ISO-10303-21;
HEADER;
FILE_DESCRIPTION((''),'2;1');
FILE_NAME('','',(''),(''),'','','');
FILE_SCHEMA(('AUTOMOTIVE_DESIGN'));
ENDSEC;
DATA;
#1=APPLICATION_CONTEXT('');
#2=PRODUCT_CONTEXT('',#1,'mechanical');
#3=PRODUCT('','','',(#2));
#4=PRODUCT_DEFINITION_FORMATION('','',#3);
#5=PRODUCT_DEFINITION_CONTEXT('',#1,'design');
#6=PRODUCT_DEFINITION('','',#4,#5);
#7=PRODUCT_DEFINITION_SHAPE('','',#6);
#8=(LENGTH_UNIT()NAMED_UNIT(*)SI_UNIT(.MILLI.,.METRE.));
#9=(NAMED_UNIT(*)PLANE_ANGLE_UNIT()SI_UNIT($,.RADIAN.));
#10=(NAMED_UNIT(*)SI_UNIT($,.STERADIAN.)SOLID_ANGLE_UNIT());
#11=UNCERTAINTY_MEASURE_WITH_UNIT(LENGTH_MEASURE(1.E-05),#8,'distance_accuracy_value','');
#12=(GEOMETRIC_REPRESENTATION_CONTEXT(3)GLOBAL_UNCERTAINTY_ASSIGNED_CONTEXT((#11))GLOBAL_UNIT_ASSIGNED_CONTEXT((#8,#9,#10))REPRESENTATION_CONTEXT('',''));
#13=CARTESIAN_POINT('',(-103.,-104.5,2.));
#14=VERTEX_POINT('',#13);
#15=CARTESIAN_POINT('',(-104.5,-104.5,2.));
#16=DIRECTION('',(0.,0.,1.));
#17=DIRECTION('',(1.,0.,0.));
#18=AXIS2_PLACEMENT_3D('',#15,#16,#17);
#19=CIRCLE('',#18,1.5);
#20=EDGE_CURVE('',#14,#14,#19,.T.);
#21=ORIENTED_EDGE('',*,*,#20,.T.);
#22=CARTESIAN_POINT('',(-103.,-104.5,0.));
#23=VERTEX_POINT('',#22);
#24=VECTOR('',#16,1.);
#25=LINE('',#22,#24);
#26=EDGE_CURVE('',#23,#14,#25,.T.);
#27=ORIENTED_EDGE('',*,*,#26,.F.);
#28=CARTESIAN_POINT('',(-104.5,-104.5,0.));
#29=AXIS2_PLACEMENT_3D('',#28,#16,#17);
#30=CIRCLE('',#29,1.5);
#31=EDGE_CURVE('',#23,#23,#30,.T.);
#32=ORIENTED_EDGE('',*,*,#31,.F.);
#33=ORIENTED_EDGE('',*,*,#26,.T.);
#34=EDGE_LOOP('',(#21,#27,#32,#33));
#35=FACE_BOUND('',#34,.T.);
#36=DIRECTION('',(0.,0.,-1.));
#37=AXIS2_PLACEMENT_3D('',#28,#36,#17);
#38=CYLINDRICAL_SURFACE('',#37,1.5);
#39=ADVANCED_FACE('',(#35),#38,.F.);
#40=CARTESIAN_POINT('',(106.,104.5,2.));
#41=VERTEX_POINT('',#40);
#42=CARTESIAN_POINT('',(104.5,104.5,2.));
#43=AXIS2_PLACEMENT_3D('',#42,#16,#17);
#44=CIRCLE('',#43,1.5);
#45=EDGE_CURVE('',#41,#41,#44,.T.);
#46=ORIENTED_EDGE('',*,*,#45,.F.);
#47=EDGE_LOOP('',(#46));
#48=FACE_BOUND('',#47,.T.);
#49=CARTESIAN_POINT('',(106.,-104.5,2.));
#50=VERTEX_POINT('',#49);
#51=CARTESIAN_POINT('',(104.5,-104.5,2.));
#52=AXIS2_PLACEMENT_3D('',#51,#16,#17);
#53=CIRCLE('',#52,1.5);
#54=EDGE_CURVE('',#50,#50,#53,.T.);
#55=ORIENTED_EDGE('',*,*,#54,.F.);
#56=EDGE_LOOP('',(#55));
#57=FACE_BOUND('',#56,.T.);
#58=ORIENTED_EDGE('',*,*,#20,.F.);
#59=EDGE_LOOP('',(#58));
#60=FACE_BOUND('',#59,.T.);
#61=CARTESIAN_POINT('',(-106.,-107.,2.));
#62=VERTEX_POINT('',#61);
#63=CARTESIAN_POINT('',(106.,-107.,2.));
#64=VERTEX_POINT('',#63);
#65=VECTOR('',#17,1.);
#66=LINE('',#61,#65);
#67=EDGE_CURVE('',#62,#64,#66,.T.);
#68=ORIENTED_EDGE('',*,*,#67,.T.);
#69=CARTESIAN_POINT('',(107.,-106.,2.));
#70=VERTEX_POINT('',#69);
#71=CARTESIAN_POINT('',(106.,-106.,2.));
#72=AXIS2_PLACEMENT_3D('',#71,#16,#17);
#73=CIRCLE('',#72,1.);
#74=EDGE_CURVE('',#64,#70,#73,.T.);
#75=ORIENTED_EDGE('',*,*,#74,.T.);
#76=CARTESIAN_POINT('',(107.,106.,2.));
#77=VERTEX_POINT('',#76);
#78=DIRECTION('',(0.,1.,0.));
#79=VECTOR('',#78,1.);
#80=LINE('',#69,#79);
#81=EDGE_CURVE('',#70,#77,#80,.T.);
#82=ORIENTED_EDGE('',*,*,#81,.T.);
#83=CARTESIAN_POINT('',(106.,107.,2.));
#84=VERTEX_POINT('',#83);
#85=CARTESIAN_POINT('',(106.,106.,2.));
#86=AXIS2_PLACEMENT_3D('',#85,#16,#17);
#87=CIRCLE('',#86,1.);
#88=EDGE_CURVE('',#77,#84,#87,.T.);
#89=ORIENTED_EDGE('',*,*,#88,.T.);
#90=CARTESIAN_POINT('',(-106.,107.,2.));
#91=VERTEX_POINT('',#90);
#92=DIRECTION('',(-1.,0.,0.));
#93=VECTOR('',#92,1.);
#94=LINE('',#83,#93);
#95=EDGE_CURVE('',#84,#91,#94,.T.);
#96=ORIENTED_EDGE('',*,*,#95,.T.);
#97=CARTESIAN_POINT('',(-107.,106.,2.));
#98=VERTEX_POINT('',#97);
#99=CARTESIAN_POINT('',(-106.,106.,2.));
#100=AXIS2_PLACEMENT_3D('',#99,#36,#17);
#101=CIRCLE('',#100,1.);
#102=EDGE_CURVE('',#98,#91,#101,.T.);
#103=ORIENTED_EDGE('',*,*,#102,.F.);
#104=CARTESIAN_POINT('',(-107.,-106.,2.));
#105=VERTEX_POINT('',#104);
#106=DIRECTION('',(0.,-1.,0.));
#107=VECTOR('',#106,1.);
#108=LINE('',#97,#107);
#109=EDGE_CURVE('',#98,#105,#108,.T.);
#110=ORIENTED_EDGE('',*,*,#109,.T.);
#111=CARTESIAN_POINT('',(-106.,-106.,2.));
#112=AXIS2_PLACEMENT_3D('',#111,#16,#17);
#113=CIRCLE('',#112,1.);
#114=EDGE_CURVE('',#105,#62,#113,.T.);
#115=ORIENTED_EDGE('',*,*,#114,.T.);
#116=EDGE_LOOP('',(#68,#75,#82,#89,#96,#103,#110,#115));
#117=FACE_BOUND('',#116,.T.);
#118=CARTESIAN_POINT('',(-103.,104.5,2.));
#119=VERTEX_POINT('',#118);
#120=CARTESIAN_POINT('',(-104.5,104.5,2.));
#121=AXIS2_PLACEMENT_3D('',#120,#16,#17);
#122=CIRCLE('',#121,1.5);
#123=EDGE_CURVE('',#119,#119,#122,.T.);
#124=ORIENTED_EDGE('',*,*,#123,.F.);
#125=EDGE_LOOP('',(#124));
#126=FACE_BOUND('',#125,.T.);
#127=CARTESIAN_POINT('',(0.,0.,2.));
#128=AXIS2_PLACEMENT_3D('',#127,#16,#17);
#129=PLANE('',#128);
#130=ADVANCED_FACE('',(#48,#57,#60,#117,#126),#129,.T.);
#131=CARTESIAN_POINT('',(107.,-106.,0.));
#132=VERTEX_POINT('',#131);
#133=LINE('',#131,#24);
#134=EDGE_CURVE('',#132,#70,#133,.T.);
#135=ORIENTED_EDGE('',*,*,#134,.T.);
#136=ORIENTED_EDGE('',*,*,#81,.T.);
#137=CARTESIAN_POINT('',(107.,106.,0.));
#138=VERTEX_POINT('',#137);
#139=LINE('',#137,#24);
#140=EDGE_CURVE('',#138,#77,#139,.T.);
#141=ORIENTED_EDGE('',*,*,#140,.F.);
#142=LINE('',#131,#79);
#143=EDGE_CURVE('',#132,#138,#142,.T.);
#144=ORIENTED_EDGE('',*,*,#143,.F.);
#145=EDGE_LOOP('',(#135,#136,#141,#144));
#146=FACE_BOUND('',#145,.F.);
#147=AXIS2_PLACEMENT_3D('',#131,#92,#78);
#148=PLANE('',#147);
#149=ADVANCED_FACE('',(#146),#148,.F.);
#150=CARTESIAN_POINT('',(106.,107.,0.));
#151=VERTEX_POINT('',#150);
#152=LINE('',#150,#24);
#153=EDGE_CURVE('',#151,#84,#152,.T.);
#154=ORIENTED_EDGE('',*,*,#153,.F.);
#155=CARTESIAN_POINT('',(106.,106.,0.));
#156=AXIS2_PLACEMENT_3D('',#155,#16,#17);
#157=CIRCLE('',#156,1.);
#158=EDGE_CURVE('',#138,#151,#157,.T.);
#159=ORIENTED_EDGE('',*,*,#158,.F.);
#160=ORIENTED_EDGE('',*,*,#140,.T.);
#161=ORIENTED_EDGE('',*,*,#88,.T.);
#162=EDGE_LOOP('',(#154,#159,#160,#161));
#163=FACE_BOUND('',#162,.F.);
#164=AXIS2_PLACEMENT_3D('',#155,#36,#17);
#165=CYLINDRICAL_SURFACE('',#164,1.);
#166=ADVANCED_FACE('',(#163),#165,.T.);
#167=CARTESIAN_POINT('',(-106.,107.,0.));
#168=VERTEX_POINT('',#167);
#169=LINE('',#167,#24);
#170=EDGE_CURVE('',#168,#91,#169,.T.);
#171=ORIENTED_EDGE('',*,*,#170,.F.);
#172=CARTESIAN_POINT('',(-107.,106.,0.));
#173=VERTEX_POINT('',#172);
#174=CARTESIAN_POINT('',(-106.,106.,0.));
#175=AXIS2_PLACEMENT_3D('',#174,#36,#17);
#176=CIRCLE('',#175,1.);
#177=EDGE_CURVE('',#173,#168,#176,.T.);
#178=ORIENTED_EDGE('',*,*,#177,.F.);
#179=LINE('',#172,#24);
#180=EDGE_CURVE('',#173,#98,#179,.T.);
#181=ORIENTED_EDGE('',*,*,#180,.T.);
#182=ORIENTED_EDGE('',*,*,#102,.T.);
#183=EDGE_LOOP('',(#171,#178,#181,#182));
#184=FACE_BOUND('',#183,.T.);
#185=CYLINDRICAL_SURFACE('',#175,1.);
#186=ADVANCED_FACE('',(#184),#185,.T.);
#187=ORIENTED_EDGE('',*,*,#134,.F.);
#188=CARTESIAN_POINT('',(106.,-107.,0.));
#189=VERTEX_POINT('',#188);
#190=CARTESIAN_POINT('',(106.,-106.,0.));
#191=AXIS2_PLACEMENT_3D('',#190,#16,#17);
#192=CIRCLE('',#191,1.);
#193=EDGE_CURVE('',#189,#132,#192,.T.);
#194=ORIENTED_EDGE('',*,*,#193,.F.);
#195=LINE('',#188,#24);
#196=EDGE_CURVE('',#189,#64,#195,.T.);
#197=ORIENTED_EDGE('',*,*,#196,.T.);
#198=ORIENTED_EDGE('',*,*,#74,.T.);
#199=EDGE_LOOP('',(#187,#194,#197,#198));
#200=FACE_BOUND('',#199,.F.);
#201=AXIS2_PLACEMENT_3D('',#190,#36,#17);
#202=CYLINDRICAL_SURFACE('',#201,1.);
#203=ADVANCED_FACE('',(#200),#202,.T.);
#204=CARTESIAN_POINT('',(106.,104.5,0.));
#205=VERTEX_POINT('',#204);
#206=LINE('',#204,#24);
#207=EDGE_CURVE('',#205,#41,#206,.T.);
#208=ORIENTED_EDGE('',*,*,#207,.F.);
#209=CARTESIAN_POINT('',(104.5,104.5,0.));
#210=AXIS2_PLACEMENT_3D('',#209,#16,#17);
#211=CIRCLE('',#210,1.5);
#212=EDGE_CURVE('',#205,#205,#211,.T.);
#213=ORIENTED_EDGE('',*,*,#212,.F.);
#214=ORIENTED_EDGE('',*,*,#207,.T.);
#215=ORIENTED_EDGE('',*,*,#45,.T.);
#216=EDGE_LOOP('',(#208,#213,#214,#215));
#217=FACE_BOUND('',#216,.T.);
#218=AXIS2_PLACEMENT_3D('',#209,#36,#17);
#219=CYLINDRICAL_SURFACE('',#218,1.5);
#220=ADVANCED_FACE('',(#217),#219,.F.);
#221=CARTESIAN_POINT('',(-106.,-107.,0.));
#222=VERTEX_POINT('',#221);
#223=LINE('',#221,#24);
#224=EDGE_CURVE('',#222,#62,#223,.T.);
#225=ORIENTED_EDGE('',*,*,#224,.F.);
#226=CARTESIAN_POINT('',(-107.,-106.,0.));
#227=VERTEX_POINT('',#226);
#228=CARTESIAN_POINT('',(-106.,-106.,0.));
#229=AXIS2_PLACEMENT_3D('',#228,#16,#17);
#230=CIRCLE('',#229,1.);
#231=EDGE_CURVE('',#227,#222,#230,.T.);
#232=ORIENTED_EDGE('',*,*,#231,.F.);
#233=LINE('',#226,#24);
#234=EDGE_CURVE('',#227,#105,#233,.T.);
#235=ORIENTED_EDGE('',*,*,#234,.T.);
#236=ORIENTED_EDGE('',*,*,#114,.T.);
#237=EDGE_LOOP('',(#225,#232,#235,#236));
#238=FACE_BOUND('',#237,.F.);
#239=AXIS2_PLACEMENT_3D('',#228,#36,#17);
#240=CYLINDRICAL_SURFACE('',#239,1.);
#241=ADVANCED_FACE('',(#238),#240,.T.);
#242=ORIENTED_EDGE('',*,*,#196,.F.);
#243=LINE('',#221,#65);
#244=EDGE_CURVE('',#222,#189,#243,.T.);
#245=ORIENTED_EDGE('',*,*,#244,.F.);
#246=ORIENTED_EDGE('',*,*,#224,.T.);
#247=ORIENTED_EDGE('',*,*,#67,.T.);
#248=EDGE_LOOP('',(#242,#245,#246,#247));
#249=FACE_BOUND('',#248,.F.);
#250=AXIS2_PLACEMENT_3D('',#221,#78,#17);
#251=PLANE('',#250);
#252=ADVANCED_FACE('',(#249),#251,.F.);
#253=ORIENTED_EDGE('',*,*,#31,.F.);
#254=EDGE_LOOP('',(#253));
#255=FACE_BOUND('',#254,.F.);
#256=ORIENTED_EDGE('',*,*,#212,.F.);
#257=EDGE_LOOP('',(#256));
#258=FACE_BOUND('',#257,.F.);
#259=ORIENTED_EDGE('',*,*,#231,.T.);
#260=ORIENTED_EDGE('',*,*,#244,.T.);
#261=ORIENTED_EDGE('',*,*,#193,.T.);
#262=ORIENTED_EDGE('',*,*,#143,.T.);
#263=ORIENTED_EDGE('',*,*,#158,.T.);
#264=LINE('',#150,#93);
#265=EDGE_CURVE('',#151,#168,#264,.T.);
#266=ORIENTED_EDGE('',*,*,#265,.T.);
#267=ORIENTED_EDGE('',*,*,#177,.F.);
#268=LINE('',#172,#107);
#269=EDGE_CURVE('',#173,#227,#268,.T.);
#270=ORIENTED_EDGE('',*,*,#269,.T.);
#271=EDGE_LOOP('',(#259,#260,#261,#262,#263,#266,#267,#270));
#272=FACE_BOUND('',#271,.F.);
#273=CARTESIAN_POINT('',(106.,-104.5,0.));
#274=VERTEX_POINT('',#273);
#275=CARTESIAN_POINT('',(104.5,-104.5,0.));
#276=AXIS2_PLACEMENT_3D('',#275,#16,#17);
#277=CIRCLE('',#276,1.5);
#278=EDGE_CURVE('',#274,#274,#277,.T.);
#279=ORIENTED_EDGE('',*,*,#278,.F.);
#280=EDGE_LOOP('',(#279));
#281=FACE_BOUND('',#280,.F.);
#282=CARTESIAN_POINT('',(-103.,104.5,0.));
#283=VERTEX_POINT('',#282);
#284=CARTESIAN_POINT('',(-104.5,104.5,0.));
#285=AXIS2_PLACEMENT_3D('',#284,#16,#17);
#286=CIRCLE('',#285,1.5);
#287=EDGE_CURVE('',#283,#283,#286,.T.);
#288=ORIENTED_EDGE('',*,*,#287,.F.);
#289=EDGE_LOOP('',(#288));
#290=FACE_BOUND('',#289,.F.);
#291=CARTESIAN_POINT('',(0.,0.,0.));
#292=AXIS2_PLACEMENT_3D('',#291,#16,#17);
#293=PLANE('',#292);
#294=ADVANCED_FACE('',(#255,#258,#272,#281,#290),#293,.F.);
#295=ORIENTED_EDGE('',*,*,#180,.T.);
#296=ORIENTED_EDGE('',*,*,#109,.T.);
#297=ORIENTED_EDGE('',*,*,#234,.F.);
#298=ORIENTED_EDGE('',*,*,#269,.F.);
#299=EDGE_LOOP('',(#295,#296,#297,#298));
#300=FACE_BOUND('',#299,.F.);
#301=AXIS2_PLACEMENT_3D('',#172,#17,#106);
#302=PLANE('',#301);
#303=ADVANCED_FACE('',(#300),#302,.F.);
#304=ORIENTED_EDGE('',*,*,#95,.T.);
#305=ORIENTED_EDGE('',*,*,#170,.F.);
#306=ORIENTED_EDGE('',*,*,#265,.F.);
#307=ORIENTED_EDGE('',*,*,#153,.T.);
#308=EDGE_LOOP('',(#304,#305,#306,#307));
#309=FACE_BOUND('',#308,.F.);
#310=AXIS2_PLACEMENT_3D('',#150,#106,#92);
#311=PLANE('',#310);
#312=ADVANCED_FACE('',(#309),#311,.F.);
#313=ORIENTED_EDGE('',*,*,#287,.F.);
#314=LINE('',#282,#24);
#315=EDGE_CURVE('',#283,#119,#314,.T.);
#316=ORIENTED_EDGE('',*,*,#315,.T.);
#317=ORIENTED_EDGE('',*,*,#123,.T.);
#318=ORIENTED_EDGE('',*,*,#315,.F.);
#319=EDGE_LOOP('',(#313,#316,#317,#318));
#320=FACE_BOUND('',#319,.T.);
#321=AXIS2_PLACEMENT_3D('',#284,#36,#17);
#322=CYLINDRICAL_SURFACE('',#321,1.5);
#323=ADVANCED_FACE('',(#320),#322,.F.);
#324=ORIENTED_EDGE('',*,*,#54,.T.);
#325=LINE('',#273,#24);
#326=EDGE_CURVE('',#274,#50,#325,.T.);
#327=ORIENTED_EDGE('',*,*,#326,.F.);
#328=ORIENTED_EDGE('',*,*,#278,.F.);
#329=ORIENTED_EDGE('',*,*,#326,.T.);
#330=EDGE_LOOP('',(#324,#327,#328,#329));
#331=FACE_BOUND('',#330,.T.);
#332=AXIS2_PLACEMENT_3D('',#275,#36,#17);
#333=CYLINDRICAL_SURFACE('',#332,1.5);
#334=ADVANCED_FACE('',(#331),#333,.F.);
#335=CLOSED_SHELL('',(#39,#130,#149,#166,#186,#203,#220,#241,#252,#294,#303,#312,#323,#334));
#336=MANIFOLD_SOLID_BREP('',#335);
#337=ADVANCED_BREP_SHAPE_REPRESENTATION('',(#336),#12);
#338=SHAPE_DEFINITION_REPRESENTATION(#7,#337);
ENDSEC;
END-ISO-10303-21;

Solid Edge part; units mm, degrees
sketch "Sketch1" plane through (0, 0, 0) normal (0, 0, 1) x (1, 0, 0)
  line L0 (-106, -107) -> (106, -107)
  arc A0 (106, -107) -> (107, -106) centre (106, -106) ccw
  line L1 (107, -106) -> (107, 106)
  arc A1 (107, 106) -> (106, 107) centre (106, 106) ccw
  line L2 (106, 107) -> (-106, 107)
  arc A2 (-107, 106) -> (-106, 107) centre (-106, 106) cw
  line L3 (-107, 106) -> (-107, -106)
  arc A3 (-107, -106) -> (-106, -107) centre (-106, -106) ccw
  circle A4 centre (104.5, 104.5) radius 1.5
  circle A5 centre (104.5, -104.5) radius 1.5
  circle A6 centre (-104.5, -104.5) radius 1.5
  circle A7 centre (-104.5, 104.5) radius 1.5
extrude "Protrusion1" add sketch "Sketch1" along normal blind 2
